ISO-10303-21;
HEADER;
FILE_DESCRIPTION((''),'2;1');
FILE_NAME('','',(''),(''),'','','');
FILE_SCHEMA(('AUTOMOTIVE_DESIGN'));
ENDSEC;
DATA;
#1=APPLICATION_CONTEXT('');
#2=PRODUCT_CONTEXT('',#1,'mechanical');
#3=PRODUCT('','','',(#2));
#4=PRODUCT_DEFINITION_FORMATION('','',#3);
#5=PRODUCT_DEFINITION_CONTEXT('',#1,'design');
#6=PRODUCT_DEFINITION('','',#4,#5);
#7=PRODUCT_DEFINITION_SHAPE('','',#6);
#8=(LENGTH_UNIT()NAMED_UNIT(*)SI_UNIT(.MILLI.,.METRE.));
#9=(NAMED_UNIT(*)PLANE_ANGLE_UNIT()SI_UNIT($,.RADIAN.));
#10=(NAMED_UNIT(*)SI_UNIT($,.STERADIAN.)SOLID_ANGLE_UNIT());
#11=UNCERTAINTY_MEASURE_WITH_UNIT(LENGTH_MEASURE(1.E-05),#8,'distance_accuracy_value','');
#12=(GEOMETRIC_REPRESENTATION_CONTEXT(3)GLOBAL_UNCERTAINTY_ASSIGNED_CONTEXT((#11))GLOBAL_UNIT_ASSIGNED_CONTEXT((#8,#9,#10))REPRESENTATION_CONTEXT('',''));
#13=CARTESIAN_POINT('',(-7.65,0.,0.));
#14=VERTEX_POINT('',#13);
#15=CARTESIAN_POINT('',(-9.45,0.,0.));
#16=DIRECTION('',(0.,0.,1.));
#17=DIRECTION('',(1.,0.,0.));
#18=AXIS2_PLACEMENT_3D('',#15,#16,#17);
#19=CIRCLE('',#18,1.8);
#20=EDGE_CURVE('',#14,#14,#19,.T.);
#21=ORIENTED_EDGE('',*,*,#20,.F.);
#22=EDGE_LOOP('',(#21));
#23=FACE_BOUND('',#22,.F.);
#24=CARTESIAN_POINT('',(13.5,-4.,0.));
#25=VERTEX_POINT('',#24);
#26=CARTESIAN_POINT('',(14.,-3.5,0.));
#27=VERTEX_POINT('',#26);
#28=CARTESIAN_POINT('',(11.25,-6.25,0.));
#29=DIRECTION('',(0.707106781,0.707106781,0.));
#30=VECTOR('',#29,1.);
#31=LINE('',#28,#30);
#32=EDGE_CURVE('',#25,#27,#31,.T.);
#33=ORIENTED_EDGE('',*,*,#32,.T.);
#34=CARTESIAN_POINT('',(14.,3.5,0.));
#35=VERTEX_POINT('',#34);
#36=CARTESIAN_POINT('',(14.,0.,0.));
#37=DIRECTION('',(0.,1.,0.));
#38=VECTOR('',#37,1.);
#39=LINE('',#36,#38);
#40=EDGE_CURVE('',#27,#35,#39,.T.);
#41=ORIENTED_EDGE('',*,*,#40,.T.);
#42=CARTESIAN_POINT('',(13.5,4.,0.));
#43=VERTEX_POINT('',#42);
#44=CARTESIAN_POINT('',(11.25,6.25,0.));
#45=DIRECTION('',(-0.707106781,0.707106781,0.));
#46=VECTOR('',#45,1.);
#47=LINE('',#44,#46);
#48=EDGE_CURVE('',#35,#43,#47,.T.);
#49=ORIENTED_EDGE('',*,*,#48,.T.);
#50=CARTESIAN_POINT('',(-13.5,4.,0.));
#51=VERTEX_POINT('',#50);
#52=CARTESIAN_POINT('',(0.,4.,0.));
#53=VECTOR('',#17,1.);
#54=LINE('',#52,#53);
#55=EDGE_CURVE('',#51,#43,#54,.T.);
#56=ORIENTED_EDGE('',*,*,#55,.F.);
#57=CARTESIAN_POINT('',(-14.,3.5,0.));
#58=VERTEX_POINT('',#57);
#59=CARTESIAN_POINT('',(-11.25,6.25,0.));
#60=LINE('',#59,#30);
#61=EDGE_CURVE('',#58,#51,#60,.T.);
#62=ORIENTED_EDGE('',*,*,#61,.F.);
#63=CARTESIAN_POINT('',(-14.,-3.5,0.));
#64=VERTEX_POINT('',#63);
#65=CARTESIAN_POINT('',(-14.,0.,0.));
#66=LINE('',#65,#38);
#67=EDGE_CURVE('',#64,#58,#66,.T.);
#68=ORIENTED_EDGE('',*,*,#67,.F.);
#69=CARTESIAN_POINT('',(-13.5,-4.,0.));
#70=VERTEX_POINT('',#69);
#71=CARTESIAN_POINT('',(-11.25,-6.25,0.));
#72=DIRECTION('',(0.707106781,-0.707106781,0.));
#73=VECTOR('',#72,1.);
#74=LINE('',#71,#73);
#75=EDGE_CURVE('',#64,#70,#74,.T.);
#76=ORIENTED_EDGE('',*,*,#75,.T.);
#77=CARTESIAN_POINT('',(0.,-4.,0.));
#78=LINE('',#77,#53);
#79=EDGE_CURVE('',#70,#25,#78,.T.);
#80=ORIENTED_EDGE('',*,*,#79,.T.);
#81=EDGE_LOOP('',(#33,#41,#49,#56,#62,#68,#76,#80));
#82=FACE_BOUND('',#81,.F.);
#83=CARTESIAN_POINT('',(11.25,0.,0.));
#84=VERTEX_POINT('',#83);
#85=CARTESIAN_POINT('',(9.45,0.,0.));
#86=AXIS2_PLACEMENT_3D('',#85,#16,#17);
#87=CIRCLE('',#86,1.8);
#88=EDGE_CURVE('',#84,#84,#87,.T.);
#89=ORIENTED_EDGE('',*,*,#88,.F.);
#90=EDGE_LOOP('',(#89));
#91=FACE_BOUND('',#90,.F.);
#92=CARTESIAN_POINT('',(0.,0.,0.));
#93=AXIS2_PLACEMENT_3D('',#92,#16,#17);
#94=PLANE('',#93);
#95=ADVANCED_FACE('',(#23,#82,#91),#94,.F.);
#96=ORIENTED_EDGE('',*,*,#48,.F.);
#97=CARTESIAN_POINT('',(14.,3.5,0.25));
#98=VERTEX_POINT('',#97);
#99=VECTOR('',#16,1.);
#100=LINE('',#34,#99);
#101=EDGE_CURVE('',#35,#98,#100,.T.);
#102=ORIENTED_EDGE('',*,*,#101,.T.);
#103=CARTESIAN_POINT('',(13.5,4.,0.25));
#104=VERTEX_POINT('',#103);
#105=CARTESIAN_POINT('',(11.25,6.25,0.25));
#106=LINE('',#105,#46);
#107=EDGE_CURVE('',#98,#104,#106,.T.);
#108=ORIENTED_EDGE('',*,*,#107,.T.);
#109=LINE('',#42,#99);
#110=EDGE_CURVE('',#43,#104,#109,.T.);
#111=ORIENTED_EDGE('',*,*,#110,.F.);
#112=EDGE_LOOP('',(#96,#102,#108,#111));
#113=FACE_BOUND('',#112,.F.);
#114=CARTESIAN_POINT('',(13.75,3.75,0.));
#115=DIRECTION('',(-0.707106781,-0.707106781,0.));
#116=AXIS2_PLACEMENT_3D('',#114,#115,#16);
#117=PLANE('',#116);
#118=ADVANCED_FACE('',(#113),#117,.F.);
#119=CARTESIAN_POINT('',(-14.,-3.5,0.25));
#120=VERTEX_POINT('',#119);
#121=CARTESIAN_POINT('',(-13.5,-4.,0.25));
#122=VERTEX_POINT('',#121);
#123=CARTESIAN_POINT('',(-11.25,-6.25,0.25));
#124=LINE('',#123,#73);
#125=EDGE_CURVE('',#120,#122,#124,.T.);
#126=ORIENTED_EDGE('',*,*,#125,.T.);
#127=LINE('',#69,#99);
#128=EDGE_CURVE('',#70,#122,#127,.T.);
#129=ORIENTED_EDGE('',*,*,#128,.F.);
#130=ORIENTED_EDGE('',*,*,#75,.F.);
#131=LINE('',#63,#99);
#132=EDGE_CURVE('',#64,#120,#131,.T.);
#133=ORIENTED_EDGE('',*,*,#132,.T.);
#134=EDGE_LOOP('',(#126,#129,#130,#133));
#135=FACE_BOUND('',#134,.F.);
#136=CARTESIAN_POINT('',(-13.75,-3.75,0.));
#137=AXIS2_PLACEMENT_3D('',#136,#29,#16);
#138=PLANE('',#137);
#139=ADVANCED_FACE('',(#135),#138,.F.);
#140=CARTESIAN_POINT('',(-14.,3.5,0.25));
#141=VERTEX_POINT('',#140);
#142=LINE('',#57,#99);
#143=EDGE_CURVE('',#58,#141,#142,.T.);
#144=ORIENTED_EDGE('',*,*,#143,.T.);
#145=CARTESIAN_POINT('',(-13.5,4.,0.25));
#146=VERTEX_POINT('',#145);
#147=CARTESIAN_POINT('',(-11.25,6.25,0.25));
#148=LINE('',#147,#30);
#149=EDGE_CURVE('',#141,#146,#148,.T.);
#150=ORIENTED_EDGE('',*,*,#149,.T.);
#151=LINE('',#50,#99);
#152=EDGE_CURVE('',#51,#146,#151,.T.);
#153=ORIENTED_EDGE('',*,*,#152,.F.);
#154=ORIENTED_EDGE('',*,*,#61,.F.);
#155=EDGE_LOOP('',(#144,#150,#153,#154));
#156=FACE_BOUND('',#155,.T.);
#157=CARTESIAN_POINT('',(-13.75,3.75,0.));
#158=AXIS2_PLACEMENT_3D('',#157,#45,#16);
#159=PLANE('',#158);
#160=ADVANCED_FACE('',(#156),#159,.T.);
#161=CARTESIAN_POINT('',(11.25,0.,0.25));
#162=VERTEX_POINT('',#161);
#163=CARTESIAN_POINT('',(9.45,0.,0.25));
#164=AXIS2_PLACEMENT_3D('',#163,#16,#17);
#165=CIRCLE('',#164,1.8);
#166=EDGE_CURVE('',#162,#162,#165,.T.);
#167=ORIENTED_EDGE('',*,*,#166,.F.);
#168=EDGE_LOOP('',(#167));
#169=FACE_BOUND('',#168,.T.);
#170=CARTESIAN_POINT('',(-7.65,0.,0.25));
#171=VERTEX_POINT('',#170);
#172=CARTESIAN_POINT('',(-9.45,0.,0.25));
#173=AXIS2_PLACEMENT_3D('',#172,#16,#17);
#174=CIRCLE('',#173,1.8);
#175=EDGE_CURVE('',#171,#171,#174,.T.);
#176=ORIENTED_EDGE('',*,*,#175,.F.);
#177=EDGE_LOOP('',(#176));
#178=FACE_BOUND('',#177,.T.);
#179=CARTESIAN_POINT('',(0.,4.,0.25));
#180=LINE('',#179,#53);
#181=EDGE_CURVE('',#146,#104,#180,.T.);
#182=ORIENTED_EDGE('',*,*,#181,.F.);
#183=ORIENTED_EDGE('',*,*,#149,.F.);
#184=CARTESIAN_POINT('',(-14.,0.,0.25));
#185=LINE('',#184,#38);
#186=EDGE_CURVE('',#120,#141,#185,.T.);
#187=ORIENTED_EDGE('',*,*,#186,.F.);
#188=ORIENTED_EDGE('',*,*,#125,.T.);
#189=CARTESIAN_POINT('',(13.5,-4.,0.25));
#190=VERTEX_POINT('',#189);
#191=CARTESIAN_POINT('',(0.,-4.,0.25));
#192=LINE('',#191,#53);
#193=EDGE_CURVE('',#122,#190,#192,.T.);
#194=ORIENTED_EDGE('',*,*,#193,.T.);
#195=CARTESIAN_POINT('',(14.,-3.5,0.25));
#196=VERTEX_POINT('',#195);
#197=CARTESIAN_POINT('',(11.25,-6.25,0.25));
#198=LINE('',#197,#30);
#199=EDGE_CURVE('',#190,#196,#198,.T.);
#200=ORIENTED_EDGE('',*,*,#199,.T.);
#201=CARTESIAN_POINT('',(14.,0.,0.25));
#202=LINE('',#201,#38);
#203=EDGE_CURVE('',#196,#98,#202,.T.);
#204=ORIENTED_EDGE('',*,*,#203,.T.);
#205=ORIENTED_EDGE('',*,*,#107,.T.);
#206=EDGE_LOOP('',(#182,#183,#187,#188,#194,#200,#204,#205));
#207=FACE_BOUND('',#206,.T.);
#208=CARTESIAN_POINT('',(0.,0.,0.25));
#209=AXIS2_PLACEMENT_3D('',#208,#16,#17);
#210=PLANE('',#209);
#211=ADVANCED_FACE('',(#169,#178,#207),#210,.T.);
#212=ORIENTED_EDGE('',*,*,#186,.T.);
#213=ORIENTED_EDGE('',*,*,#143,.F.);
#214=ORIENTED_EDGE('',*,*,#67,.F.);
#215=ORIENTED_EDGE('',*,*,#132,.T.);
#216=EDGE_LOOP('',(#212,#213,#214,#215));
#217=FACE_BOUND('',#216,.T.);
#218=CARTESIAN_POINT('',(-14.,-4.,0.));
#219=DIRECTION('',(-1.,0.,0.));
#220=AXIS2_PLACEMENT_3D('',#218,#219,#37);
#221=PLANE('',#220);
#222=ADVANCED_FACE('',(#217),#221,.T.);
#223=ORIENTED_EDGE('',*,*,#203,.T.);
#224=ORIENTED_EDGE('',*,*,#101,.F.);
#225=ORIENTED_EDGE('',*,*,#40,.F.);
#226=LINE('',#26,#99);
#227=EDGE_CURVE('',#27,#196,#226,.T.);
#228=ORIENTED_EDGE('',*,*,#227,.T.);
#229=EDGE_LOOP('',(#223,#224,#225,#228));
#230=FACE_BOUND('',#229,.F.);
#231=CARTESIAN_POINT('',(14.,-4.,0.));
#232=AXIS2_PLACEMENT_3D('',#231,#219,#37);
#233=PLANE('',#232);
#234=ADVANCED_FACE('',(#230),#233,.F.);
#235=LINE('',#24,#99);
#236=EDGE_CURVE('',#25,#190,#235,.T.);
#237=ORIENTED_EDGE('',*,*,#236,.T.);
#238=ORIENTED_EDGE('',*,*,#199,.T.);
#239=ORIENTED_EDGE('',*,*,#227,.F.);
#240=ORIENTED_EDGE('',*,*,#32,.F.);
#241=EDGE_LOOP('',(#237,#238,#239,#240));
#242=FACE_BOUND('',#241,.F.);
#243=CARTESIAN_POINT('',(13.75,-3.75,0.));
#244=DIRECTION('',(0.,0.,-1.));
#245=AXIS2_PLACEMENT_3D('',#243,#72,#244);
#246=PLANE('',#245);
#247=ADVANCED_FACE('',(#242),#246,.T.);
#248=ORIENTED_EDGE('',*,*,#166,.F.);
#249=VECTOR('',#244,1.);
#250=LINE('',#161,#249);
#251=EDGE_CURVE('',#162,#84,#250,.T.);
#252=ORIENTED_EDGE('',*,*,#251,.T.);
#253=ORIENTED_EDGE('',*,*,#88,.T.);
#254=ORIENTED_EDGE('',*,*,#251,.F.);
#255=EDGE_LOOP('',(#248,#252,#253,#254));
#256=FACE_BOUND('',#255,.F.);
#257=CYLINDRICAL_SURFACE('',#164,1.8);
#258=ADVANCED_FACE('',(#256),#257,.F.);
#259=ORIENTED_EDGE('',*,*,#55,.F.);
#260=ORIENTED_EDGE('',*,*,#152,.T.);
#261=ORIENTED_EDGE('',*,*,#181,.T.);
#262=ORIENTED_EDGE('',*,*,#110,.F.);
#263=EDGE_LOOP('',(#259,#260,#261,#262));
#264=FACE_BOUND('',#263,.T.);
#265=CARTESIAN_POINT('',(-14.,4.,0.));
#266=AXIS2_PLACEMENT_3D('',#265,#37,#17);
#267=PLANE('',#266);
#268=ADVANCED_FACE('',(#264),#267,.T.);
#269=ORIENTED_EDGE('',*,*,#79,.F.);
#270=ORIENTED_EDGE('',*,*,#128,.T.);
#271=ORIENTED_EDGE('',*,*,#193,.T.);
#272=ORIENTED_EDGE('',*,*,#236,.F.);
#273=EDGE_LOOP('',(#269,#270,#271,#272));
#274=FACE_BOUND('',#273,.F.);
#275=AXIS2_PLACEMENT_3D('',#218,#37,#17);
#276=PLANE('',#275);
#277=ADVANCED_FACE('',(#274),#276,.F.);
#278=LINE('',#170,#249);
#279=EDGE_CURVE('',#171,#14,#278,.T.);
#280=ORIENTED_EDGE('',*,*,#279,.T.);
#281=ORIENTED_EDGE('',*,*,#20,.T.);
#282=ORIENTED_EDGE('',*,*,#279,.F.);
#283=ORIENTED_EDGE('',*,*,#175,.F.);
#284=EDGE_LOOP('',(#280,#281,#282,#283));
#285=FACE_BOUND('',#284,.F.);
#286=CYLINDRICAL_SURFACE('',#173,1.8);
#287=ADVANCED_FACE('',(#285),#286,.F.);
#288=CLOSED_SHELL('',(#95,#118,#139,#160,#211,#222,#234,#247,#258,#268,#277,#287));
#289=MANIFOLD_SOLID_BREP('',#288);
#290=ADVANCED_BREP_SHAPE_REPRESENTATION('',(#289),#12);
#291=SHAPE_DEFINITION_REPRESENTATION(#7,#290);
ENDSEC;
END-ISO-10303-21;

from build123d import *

# Parameters (mm, degrees)
F0_W     = 28
F0_H     = 8
F1_DEPTH = 0.25
F2_SIZE  = 0.5
F3_R     = 1.8
F4_DEPTH = 0.251


with BuildPart() as f1:
    # F0 (on Top) → F1 (new body)
    with BuildSketch(Plane.XY):
        Rectangle(F0_W, F0_H)
    extrude(amount=F1_DEPTH)

    # F2
    f2_edges = [f1.edges().sort_by_distance(p)[0] for p in [
        (-14, -4, 0.125),
        (-14, 4, 0.125),
        (14, -4, 0.125),
        (14, 4, 0.125),
    ]]
    chamfer(f2_edges, length=F2_SIZE)

    # F3 (on face) → F4 (cut, through all)
    with BuildSketch(Plane.XY.offset(0.25)):
        with Locations((-9.45, 0)):
            Circle(F3_R)
        with Locations((9.45, 0)):
            Circle(F3_R)
    extrude(amount=-F4_DEPTH, mode=Mode.SUBTRACT)


solid = f1.part
